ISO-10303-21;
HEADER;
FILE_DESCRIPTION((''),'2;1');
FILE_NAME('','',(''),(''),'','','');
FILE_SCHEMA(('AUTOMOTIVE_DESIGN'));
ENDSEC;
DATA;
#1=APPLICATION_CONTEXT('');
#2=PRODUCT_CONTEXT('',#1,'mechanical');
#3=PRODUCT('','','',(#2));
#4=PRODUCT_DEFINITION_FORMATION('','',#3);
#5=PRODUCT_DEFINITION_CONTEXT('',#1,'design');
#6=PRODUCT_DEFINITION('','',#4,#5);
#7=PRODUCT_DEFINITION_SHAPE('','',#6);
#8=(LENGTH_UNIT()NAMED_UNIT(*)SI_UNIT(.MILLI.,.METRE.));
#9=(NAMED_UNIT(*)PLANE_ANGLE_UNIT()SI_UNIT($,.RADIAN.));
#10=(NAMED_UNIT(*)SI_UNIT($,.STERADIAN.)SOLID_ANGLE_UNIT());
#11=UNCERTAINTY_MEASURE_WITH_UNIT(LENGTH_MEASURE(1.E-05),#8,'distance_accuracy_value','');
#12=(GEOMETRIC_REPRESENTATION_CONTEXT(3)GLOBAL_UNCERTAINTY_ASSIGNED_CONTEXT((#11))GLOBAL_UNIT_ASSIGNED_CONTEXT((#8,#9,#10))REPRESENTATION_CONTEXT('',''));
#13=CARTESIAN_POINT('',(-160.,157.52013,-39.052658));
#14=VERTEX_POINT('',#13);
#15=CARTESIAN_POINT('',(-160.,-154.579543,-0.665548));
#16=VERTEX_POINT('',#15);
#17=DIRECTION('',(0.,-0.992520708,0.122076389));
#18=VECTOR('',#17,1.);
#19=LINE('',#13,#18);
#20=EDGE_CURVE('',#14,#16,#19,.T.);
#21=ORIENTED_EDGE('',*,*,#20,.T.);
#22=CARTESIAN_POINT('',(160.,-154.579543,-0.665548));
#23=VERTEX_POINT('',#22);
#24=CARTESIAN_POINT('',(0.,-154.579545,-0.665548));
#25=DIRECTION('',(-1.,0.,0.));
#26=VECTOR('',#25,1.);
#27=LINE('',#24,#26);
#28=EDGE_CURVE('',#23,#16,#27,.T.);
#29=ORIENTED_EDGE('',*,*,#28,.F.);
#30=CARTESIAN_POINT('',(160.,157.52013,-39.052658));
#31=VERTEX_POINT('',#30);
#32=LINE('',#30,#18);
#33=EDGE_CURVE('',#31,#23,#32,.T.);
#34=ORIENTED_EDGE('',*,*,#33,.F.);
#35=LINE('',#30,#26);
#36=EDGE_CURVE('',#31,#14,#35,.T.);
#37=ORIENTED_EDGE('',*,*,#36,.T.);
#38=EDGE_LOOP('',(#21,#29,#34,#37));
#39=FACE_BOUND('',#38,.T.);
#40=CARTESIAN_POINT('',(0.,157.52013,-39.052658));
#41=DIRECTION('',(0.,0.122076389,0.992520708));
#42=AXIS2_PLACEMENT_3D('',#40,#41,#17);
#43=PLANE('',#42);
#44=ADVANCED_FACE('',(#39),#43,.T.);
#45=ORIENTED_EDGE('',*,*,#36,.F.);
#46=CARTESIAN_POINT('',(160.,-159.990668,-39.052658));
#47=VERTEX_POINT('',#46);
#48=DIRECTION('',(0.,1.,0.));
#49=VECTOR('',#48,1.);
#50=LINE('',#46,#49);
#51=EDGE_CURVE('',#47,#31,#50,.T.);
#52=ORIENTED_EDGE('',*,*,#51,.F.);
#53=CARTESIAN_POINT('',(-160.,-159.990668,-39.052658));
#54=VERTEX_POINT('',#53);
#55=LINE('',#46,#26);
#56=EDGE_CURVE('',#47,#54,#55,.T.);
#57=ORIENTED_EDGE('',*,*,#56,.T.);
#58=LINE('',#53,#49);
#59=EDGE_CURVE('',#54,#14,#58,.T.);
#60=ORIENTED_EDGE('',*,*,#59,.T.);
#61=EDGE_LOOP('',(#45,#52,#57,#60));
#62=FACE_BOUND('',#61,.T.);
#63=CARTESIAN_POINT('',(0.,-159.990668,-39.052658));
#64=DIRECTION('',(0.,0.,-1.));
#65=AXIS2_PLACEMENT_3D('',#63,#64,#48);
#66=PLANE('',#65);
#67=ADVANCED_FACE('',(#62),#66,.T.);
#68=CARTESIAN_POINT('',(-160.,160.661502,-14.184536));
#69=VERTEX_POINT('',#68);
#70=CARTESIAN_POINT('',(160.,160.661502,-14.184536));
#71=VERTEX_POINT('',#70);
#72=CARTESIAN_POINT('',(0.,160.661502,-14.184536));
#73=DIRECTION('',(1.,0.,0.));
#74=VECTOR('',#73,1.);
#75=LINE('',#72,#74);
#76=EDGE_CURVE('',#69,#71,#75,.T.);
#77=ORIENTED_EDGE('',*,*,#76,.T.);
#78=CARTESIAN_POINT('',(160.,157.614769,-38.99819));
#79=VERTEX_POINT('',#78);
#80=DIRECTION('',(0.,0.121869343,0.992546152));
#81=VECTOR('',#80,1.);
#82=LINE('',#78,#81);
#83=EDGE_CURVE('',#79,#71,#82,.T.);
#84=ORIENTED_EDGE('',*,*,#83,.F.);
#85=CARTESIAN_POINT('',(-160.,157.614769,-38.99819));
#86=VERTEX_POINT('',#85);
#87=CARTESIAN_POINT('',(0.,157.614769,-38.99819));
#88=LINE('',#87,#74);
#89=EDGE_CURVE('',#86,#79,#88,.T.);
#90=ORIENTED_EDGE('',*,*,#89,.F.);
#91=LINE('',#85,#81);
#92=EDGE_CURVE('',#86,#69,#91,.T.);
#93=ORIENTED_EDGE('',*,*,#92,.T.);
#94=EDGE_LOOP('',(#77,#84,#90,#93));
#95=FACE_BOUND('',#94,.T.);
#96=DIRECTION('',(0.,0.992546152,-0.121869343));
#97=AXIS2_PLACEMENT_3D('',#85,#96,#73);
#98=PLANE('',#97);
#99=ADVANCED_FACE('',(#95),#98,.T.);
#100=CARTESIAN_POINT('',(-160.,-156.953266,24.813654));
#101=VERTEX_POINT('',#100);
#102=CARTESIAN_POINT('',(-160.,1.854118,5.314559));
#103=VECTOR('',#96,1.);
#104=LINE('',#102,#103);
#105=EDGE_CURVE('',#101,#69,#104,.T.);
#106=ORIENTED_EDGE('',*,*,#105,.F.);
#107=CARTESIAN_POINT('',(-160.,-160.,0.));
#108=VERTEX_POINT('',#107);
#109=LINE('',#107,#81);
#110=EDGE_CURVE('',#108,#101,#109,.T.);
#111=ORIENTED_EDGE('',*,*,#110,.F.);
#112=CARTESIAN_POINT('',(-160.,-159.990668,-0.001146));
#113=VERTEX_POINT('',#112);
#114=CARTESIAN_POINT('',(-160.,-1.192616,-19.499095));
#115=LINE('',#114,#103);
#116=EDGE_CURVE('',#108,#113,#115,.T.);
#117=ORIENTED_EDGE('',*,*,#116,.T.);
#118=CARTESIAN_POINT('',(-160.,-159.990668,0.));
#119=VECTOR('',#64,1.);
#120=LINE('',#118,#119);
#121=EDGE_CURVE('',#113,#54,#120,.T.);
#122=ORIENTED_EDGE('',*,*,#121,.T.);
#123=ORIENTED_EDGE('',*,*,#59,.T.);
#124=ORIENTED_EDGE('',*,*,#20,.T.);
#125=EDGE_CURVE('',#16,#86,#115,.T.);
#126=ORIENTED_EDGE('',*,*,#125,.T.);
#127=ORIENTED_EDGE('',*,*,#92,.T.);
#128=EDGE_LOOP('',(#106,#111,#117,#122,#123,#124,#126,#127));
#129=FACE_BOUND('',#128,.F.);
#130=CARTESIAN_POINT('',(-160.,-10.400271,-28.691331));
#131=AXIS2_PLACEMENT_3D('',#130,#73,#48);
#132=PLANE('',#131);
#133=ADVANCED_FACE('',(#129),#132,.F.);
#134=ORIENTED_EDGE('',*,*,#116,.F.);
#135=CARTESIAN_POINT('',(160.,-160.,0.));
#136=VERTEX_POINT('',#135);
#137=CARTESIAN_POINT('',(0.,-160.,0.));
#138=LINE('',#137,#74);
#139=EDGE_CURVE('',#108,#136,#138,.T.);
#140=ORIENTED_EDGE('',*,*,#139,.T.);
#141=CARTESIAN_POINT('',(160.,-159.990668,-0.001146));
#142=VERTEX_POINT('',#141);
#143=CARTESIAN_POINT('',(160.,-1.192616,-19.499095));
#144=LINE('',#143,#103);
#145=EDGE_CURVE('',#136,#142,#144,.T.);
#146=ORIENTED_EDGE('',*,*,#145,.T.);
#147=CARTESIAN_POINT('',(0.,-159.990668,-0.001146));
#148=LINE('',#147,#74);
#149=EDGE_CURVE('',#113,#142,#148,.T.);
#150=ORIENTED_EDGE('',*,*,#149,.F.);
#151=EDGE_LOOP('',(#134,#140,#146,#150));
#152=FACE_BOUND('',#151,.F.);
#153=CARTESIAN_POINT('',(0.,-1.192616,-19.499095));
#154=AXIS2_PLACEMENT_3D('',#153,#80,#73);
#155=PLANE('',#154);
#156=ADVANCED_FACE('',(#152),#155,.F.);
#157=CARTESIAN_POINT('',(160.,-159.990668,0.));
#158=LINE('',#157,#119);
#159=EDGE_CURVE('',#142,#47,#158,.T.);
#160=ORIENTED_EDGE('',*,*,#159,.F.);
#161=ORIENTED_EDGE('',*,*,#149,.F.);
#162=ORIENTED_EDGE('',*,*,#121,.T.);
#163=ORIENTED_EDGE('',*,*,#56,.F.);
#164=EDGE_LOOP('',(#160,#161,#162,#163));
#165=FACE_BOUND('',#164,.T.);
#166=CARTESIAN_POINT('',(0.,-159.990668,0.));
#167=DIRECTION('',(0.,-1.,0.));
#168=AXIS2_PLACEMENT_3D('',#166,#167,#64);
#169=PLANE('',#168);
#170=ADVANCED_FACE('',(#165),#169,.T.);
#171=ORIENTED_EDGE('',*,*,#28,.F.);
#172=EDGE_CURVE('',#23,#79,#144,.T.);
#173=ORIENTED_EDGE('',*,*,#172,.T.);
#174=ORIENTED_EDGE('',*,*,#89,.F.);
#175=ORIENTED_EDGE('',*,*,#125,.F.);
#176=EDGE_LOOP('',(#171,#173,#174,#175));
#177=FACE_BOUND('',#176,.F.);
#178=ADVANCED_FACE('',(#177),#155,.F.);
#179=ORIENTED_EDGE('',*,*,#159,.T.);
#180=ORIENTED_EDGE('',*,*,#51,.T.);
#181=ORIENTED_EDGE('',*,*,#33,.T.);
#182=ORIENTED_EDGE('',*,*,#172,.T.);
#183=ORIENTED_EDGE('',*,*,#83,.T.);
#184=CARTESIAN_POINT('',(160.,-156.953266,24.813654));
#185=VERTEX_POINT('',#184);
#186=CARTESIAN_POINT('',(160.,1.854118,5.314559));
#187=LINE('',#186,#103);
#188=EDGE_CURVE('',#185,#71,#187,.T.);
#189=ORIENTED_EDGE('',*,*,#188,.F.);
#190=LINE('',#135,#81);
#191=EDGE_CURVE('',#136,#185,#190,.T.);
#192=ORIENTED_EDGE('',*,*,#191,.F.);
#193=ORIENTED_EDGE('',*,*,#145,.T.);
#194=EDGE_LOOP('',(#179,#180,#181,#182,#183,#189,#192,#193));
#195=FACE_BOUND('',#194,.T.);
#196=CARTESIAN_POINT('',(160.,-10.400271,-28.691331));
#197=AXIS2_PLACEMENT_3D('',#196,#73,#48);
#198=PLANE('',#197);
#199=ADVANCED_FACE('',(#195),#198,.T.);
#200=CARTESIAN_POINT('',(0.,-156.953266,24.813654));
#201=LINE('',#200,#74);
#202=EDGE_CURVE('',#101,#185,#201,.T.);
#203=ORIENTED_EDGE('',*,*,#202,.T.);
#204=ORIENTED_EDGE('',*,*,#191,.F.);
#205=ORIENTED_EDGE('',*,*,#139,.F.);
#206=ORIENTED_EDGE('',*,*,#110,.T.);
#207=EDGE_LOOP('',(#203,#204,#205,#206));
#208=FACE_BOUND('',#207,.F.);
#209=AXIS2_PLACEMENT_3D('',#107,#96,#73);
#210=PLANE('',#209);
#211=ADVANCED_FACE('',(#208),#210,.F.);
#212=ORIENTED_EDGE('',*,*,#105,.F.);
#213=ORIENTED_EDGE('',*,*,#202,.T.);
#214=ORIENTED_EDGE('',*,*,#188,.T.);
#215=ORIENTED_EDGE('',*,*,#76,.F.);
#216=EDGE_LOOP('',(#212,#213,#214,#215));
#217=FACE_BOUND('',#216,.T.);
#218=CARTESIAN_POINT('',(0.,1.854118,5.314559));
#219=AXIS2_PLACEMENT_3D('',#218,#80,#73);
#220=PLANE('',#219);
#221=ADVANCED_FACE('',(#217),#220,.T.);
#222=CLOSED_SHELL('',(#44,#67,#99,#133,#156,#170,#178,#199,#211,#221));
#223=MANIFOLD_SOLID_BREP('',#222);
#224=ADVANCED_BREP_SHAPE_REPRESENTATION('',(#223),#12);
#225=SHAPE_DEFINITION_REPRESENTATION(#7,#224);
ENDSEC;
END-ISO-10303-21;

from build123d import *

# Parameters (mm, degrees)
F0_W     = 320
F0_H     = 320
F1_DEPTH = 25
F2_ANGLE = 7
F4_DEPTH = 160


with BuildPart() as f1:
    # F0 (on Top) → F1 (new body)
    with BuildSketch(Plane.XY):
        Rectangle(F0_W, F0_H)
    extrude(amount=F1_DEPTH)


with BuildPart() as f1_1:
    # F2: moved
    add(f1.part.rotate(Axis((0, -160, 0), (-1, 0, 0)), F2_ANGLE))

    # F3 (on Right) → F4 (join, symmetric)
    with BuildSketch(Plane.YZ):
        Polygon((157.52013, -39.052658), (-159.990668, 0), (-159.990668, -39.052658), align=None)
    extrude(amount=F4_DEPTH, both=True)


solid = f1_1.part
